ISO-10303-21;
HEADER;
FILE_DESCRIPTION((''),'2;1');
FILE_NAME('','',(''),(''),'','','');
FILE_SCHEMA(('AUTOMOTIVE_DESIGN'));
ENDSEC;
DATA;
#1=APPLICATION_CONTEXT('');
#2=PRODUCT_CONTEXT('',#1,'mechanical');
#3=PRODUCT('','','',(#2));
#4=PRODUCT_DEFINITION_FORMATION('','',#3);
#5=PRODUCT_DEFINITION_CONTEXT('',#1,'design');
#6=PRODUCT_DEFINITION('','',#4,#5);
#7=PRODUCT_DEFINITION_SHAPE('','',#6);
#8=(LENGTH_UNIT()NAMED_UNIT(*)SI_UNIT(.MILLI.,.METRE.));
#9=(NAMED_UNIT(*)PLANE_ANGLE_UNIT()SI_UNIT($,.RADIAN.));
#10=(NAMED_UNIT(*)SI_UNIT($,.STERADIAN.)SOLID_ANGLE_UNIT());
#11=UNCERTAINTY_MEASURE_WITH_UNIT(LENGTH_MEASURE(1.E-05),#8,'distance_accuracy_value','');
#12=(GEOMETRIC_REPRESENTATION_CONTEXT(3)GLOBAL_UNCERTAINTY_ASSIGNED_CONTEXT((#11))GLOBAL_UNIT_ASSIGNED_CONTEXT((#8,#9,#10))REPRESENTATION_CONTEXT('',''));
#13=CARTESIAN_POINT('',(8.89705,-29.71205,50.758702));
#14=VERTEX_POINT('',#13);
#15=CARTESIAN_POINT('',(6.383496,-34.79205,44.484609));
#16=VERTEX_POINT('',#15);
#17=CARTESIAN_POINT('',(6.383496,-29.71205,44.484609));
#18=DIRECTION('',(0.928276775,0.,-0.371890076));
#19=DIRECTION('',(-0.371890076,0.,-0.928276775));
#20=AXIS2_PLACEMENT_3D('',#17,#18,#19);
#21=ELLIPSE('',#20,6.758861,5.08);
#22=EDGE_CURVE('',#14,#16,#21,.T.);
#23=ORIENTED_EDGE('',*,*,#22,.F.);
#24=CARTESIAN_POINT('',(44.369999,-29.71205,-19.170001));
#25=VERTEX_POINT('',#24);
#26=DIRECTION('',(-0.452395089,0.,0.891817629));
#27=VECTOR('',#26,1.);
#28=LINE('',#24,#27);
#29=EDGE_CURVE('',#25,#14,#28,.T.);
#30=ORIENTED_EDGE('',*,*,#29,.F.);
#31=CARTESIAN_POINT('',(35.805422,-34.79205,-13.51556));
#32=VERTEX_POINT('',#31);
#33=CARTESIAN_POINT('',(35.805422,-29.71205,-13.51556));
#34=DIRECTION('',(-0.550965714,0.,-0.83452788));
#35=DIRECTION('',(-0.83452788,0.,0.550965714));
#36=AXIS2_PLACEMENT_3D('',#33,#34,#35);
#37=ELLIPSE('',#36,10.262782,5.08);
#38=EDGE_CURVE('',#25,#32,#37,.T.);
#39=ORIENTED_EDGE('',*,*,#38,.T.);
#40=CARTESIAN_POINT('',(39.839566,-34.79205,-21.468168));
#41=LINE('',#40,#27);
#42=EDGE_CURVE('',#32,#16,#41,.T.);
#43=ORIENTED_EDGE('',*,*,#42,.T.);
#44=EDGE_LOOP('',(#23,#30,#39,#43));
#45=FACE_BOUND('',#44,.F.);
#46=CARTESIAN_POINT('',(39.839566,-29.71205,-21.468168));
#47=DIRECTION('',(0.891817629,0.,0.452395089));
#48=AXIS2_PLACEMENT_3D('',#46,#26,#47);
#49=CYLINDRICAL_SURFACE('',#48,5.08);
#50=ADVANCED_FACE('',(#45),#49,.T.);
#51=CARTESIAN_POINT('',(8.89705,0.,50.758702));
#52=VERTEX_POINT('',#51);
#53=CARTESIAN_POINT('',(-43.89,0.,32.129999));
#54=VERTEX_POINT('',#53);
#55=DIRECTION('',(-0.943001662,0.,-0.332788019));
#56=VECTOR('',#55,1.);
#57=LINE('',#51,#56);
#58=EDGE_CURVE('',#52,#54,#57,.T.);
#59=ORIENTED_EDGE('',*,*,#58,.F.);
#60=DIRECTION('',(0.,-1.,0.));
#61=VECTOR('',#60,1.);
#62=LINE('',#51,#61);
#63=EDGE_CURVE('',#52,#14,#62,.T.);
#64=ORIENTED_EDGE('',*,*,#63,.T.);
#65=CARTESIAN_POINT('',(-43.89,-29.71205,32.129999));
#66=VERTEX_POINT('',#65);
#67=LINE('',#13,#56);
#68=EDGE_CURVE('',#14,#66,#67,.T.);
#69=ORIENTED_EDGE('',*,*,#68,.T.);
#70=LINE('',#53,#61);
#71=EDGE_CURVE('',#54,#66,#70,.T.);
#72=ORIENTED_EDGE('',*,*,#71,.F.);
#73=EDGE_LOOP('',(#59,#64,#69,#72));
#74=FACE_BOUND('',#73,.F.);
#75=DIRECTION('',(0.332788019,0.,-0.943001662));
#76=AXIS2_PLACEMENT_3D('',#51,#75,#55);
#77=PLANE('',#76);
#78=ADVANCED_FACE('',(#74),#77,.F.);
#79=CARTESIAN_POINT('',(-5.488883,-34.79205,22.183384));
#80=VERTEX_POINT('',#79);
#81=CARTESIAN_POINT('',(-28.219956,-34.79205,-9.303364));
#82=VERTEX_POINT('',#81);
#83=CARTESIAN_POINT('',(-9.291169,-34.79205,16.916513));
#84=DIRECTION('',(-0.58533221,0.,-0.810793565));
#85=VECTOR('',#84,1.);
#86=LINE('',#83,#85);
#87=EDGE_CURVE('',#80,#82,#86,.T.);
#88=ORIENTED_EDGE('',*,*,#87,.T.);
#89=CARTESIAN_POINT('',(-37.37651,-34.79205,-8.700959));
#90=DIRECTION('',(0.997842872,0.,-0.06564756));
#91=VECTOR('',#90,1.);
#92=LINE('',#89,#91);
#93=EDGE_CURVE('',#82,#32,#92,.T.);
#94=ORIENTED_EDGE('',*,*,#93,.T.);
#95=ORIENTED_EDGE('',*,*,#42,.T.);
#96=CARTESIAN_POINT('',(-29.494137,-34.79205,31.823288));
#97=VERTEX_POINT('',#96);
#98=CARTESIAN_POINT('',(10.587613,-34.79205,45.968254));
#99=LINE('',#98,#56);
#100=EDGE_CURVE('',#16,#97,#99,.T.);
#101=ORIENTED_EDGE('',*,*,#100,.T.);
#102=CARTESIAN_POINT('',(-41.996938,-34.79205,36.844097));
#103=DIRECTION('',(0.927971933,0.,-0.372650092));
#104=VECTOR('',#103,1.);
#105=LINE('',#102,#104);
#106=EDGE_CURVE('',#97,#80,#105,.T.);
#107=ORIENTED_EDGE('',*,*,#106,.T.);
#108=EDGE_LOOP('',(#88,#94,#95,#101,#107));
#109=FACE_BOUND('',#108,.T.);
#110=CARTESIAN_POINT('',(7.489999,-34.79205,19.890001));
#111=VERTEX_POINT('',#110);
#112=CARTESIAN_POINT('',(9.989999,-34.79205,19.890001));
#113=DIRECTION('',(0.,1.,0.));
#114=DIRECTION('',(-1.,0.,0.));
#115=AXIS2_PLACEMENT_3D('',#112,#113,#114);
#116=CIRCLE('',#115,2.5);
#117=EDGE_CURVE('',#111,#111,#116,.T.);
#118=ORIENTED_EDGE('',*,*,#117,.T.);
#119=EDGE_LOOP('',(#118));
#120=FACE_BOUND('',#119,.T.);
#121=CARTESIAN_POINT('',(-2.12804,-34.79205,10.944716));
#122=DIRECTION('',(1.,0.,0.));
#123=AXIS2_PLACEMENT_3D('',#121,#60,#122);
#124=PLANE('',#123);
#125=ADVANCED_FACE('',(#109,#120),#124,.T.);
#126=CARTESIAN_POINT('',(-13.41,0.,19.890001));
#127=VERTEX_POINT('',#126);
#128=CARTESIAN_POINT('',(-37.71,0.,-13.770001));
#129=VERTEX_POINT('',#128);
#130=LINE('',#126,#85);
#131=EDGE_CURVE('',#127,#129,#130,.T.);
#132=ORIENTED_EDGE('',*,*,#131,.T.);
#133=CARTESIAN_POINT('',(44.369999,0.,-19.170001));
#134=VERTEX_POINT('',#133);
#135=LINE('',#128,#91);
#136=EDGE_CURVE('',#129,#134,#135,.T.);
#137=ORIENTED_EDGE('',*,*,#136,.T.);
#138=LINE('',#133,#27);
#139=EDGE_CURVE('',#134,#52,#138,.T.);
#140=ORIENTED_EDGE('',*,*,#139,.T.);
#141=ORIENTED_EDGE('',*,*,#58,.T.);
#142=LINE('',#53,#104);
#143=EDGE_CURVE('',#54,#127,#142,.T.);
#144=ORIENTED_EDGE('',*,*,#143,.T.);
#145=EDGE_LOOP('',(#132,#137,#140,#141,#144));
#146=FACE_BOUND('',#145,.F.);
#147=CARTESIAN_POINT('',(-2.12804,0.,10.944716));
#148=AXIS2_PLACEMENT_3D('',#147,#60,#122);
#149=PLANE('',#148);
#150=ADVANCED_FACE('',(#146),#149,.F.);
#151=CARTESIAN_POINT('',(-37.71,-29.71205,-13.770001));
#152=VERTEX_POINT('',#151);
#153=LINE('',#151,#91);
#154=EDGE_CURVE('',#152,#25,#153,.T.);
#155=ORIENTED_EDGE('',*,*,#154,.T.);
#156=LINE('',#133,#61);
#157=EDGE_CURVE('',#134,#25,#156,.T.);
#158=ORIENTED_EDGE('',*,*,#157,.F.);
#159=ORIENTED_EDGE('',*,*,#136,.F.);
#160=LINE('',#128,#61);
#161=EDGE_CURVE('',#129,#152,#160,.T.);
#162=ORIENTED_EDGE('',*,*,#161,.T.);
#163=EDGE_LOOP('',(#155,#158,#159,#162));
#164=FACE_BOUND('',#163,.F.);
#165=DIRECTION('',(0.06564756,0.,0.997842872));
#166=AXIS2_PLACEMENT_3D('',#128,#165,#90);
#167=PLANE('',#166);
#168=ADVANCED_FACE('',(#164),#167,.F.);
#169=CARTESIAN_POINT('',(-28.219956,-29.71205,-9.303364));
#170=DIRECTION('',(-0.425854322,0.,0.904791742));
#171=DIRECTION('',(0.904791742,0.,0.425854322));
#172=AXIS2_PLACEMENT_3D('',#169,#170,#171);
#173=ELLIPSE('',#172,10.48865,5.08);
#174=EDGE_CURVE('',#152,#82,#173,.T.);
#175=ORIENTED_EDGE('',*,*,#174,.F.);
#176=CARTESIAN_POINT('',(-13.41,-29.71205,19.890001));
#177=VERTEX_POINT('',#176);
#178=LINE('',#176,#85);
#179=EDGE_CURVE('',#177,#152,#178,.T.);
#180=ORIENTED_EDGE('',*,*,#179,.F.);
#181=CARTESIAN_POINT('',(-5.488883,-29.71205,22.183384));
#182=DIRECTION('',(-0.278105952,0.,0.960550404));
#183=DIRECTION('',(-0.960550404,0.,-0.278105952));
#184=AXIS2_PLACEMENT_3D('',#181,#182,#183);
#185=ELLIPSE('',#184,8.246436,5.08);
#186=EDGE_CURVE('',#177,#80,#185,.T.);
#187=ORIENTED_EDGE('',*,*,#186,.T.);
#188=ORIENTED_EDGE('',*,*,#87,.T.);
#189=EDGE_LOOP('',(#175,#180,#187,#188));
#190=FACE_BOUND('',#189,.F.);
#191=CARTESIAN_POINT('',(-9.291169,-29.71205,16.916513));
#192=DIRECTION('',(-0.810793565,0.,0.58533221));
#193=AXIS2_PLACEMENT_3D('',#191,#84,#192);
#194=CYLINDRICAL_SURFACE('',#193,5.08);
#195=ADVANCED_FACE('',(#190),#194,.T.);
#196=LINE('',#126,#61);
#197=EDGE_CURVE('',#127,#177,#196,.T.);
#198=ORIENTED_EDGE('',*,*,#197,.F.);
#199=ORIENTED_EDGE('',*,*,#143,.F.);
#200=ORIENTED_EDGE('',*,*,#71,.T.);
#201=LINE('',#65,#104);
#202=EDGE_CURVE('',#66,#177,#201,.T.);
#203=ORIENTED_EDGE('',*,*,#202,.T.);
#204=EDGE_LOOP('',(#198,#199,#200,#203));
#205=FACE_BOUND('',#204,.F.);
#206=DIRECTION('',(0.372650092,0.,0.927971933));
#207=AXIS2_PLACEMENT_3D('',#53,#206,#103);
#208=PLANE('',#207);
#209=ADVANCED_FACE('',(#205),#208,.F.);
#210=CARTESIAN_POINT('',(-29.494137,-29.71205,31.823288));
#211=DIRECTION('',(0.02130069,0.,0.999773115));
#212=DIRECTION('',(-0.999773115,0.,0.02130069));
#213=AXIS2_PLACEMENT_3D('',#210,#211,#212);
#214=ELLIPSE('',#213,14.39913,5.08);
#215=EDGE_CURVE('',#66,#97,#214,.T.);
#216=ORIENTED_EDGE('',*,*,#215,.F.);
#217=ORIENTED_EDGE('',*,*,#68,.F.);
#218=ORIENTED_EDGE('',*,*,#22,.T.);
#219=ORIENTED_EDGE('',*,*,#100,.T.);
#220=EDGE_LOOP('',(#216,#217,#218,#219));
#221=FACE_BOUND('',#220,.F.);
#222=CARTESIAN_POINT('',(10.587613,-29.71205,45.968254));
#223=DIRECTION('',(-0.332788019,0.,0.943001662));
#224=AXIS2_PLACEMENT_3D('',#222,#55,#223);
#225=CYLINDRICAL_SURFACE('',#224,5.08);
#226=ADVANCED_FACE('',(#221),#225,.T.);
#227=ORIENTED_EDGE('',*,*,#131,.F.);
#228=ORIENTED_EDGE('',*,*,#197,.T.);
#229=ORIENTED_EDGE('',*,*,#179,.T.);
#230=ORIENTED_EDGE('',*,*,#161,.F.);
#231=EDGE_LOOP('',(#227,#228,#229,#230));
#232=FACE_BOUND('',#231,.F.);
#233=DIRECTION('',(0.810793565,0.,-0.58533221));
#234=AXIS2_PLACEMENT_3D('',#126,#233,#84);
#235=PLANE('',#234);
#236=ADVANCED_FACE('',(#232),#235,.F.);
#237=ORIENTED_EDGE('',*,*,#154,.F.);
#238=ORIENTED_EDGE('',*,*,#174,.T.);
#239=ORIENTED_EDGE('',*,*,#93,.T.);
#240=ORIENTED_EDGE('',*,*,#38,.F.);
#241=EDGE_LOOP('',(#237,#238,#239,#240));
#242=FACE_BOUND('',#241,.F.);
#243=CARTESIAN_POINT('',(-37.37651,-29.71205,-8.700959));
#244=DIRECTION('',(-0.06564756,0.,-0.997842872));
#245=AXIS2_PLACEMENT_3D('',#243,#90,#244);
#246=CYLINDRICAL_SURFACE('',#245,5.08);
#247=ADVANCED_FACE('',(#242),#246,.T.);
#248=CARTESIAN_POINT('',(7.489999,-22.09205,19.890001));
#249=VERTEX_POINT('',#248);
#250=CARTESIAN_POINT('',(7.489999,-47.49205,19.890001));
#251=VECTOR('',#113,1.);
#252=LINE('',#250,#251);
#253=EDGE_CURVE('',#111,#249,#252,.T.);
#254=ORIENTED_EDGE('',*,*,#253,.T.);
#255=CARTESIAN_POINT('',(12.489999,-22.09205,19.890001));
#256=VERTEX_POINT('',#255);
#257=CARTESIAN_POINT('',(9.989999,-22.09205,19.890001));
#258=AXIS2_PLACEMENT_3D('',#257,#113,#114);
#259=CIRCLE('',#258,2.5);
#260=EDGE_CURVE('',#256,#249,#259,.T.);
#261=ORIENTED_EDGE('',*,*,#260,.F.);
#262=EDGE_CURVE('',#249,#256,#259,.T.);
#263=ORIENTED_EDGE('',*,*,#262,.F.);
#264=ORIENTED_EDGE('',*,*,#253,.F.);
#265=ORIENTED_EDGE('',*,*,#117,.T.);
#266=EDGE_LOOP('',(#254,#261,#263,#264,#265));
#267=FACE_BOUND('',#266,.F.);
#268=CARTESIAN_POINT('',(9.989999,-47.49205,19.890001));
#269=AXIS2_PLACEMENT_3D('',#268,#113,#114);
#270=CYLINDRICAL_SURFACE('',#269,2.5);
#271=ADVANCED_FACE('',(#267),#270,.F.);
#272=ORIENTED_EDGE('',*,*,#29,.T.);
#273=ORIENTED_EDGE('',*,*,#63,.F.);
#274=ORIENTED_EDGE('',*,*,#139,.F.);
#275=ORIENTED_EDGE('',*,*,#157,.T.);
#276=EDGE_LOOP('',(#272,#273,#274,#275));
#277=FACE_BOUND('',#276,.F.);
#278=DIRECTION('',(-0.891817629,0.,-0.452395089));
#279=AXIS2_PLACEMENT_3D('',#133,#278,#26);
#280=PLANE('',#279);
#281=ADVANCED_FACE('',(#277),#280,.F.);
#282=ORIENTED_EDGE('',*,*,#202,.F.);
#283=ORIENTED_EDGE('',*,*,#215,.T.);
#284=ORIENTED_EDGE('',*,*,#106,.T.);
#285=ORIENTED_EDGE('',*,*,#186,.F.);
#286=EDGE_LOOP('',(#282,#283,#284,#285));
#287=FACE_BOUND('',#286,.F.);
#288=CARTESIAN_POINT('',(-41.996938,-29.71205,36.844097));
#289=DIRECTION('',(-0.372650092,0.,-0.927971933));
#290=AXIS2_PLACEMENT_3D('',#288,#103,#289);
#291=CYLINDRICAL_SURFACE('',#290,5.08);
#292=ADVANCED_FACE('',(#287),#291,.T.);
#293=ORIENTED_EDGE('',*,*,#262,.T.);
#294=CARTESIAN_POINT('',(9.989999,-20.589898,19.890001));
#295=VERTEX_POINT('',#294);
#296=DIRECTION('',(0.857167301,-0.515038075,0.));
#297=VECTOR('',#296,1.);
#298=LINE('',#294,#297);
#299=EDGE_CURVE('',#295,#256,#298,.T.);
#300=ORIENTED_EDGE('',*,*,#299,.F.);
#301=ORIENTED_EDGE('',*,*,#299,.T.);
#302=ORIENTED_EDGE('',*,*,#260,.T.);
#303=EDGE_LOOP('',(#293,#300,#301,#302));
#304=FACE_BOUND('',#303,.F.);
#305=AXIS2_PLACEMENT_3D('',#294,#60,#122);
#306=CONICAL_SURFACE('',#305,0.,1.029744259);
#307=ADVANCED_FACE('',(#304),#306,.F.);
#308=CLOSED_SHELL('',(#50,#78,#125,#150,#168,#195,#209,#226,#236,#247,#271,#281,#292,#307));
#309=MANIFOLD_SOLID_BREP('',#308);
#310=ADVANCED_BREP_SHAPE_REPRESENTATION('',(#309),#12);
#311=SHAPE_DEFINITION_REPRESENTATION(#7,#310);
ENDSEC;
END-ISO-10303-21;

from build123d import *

# Parameters (mm, degrees)
F1_DEPTH = 34.79205
F2_R     = 5.08
F4_D     = 5
F4_DEPTH = 12.7
F4_TIP   = 1.5021515476


with BuildPart() as f1:
    # F0 (on Front) → F1 (new body)
    with BuildSketch(Plane.XZ):
        Polygon((8.8970496238, 50.7587020687), (-43.8900001305, 32.1299992502), (-13.4100001305, 19.8900010437), (-37.7099998295, -13.7700010091), (44.3699993193, -19.1700011492), align=None)
    extrude(amount=F1_DEPTH)

    # F2
    f2_edges = [f1.edges().sort_by_distance(p)[0] for p in [
        (-17.496475, -34.79205, 41.444351),
        (26.633524, -34.79205, 15.79435),
        (3.33, -34.79205, -16.470001),
        (-25.56, -34.79205, 3.06),
        (-28.65, -34.79205, 26.01),
    ]]
    fillet(f2_edges, radius=F2_R)

    # F4
    with Locations(Plane.XZ.offset(34.79205)):
        with Locations((9.9899992347, 19.8900010437)):
            Hole(F4_D / 2, depth=F4_DEPTH)
            with Locations((0, 0, -(F4_DEPTH + F4_TIP / 2))):  # 118° drill point
                Cone(0, F4_D / 2, F4_TIP, mode=Mode.SUBTRACT)


solid = f1.part
